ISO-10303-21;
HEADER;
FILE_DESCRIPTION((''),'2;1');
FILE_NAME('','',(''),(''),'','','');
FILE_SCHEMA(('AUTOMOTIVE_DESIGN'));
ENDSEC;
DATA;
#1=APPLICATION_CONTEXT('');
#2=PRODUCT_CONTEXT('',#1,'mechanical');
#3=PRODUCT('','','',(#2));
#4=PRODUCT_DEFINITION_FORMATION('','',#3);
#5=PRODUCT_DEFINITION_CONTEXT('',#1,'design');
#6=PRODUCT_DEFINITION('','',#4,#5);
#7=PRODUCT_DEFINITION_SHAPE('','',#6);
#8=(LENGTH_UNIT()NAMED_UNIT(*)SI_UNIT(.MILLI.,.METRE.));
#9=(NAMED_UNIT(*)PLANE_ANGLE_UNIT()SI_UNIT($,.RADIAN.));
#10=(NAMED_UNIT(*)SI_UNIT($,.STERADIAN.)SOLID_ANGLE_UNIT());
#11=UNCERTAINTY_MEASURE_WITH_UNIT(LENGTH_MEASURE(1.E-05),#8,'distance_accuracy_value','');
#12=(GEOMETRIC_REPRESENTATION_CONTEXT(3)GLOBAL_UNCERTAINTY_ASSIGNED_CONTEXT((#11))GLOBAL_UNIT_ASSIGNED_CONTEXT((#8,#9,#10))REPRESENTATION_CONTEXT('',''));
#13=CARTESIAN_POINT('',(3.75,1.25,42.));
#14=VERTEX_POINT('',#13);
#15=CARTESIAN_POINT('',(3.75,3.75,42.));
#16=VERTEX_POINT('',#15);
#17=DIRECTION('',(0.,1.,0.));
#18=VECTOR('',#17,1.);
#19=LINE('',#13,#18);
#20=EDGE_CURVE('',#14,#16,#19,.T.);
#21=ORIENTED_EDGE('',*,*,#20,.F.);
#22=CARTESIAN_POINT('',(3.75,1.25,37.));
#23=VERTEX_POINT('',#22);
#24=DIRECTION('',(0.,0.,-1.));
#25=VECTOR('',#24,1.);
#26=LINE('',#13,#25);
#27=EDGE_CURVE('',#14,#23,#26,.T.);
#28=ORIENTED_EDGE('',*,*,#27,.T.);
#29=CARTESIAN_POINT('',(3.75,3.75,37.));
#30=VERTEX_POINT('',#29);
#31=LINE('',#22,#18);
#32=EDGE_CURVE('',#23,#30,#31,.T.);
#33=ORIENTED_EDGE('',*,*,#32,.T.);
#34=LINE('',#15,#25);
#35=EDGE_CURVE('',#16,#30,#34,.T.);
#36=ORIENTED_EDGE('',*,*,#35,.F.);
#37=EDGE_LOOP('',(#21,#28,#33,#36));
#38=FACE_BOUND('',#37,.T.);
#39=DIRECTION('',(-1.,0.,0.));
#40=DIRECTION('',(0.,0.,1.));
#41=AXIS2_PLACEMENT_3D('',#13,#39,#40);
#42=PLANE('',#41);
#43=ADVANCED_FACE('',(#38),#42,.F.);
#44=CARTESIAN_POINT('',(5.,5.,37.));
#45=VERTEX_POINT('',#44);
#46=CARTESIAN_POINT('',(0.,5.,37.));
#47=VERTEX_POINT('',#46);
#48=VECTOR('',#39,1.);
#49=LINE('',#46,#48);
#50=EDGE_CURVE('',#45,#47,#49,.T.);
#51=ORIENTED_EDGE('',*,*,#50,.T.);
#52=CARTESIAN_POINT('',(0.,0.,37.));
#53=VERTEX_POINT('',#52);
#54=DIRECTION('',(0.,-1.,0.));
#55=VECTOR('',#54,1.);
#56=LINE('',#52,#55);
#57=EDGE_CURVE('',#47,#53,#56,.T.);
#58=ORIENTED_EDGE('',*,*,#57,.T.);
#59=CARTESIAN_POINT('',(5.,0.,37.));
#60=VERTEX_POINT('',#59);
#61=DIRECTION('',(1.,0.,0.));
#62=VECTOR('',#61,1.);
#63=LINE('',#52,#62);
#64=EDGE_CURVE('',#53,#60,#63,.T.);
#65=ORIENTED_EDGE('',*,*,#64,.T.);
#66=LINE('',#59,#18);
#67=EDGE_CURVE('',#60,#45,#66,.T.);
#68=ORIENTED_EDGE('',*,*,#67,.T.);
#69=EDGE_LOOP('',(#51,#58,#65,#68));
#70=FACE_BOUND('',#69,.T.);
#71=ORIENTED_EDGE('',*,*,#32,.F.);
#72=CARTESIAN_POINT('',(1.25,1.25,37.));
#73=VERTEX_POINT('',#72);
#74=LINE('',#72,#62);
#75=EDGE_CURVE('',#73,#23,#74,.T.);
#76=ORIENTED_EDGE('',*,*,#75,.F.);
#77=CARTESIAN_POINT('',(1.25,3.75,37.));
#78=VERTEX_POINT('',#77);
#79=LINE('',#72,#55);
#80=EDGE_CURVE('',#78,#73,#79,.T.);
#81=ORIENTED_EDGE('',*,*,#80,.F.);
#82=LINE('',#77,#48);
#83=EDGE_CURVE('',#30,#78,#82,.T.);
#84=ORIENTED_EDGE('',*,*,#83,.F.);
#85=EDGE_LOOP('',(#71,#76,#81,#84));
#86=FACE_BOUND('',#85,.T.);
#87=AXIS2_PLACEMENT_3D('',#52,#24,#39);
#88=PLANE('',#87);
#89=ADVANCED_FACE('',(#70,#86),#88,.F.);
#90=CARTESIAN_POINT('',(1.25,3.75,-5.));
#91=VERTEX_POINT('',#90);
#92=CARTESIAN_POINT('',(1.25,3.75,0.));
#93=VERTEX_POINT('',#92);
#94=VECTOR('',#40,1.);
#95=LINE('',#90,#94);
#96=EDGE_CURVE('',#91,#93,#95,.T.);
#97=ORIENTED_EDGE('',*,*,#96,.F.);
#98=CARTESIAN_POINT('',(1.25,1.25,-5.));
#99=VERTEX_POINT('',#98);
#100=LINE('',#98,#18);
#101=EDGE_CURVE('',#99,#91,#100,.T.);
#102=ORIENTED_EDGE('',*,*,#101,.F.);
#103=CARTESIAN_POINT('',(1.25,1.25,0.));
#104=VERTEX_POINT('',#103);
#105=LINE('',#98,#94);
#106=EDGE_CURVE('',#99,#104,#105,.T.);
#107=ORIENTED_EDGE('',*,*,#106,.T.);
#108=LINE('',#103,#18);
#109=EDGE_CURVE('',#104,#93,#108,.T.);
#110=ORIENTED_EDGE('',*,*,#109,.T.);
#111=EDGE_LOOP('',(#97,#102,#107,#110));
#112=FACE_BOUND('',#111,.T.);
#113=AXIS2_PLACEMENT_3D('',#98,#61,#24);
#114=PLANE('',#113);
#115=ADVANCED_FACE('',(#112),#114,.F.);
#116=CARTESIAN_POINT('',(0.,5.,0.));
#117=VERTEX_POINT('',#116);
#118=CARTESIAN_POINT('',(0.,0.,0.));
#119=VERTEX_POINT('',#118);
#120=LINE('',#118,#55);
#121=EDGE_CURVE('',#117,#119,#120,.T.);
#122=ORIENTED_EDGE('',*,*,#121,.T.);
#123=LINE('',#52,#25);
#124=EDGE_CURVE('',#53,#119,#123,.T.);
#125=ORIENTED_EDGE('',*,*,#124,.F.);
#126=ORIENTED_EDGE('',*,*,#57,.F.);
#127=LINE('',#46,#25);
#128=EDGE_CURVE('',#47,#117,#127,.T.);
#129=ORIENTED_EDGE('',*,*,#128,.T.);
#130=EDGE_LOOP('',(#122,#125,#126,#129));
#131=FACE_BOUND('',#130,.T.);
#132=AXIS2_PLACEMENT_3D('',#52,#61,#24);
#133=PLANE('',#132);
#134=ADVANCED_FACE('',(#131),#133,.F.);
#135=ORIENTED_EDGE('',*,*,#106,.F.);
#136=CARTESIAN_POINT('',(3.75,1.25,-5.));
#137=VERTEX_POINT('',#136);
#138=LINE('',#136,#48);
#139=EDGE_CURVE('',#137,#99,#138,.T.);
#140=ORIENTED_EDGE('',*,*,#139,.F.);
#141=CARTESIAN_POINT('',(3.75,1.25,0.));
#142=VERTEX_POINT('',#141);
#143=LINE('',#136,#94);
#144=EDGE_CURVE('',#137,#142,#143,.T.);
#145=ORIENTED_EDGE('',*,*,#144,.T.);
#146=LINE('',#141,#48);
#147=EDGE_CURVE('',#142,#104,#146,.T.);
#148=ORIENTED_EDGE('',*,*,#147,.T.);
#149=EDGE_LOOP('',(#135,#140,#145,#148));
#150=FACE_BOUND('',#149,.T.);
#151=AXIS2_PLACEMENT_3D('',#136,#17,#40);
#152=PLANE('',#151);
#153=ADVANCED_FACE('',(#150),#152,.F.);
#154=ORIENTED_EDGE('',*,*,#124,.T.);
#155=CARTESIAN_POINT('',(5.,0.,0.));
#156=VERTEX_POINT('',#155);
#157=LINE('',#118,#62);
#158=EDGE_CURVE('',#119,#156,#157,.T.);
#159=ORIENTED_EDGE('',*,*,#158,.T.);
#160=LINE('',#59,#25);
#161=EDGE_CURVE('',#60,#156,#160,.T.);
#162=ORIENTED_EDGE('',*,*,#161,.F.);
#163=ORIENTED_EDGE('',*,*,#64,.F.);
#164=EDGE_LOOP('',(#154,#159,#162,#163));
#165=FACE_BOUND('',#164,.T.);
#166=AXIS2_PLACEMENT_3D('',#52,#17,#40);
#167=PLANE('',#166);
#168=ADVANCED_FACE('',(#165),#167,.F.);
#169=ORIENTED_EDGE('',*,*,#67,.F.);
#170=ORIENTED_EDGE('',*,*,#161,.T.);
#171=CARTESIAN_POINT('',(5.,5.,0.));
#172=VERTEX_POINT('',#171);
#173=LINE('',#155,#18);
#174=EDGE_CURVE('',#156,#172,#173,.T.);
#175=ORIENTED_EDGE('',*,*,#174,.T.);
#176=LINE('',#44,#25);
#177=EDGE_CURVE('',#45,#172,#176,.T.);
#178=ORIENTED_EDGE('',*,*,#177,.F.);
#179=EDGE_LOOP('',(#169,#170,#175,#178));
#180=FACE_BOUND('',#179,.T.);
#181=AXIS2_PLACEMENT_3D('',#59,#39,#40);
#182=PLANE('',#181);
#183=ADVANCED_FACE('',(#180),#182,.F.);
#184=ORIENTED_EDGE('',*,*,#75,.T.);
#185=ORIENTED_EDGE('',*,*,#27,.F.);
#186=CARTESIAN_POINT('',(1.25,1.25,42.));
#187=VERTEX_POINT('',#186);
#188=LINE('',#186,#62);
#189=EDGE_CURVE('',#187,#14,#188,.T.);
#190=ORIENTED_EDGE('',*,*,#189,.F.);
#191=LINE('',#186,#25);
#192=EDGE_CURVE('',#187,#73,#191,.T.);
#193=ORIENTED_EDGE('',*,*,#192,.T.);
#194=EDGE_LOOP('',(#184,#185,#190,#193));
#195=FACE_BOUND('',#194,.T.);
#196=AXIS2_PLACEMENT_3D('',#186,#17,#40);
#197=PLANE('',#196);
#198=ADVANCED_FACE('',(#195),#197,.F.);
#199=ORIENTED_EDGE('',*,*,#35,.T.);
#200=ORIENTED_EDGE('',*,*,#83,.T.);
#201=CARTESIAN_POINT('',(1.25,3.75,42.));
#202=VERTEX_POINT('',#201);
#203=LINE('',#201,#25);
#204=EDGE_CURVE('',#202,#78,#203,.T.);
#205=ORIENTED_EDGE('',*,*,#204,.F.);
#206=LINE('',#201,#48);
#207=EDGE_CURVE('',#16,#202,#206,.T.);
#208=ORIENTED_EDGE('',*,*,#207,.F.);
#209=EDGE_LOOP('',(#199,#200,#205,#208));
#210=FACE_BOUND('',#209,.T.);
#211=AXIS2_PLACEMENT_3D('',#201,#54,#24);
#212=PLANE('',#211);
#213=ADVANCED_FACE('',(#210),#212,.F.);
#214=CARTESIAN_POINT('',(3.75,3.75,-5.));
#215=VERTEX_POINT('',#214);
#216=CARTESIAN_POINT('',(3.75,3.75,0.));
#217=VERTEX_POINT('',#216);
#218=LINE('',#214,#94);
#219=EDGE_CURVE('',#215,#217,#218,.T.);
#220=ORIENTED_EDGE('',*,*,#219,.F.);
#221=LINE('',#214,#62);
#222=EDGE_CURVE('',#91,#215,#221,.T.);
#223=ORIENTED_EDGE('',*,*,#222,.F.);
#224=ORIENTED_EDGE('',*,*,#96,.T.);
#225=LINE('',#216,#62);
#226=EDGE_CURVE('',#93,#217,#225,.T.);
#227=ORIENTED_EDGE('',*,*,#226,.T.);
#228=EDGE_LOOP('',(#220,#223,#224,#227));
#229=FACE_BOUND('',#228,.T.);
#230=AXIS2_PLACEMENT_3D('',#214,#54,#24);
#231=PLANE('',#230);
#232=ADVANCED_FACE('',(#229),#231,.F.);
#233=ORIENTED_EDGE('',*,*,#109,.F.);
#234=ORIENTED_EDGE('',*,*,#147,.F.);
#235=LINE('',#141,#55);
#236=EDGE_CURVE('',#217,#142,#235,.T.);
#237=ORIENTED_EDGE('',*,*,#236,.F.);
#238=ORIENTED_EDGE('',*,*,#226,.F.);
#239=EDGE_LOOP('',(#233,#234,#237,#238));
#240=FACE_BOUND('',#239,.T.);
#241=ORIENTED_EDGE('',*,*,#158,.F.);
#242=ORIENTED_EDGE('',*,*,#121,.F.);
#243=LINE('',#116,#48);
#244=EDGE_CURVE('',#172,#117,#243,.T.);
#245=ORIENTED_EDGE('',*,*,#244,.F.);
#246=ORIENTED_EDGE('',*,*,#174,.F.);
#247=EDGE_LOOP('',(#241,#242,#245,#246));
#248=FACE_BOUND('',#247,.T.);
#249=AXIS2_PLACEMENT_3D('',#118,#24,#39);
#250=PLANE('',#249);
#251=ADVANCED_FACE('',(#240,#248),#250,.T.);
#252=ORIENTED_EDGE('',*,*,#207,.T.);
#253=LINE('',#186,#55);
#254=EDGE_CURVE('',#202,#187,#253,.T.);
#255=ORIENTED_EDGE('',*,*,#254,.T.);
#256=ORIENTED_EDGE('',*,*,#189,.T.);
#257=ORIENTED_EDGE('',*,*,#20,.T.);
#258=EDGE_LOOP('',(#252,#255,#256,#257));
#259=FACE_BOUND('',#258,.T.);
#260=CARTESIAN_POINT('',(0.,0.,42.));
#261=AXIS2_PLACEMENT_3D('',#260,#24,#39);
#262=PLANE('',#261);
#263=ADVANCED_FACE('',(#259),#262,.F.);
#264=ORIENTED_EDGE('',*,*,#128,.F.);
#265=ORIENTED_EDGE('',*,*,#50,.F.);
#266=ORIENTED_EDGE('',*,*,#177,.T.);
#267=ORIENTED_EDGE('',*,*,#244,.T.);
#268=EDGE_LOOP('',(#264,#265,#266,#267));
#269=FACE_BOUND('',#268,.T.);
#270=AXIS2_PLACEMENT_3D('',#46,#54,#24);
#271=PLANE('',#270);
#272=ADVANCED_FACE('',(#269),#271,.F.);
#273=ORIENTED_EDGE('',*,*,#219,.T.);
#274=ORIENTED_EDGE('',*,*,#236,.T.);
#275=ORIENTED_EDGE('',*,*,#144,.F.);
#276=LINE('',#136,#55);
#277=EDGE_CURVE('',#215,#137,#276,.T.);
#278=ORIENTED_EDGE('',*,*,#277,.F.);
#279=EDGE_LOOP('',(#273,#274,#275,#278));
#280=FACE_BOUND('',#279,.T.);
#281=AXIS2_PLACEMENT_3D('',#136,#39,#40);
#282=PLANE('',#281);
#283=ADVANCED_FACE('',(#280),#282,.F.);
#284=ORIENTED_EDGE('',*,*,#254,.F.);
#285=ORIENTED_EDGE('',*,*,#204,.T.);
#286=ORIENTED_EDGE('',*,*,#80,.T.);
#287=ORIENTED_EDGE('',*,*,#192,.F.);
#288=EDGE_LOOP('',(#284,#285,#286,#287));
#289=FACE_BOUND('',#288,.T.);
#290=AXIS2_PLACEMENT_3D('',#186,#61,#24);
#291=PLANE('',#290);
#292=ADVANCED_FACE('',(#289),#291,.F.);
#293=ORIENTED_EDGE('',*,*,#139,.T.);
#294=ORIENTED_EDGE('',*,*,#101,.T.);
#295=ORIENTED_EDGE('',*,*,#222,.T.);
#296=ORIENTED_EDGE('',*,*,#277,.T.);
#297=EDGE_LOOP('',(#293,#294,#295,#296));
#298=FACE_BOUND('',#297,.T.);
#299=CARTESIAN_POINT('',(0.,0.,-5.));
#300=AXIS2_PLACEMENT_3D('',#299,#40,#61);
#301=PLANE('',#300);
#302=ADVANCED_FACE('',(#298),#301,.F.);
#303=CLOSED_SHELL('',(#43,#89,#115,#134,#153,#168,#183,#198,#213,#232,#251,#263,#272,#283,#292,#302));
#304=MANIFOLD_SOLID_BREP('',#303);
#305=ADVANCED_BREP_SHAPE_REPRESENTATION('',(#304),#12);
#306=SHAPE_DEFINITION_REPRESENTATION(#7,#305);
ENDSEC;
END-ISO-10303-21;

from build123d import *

# Parameters (mm, degrees)
SKETCH1_W           = 5
SKETCH1_H           = 5
BOSS_EXTRUDE1_DEPTH = 37
SKETCH2_W           = 2.5
SKETCH2_H           = 2.5
BOSS_EXTRUDE2_DEPTH = 5
SKETCH3_W           = 2.5
SKETCH3_H           = 2.5
BOSS_EXTRUDE3_DEPTH = 5


with BuildPart() as part:
    # Sketch1 → Boss-Extrude1 (new body)
    with BuildSketch(Plane.XY):
        with Locations((2.5, 2.5)):
            Rectangle(SKETCH1_W, SKETCH1_H)
    extrude(amount=BOSS_EXTRUDE1_DEPTH)

    # Sketch2 → Boss-Extrude2 (add)
    with BuildSketch(Plane.XY.offset(37)):
        with Locations((2.5, 2.5)):
            Rectangle(SKETCH2_W, SKETCH2_H)
    extrude(amount=BOSS_EXTRUDE2_DEPTH)

    # Sketch3 → Boss-Extrude3 (add)
    with BuildSketch(Plane(origin=(0, 0, 0), x_dir=(-1, 0, 0), z_dir=(0, 0, -1))):
        with Locations((-2.5, 2.5)):
            Rectangle(SKETCH3_W, SKETCH3_H)
    extrude(amount=BOSS_EXTRUDE3_DEPTH)


solid = part.part
